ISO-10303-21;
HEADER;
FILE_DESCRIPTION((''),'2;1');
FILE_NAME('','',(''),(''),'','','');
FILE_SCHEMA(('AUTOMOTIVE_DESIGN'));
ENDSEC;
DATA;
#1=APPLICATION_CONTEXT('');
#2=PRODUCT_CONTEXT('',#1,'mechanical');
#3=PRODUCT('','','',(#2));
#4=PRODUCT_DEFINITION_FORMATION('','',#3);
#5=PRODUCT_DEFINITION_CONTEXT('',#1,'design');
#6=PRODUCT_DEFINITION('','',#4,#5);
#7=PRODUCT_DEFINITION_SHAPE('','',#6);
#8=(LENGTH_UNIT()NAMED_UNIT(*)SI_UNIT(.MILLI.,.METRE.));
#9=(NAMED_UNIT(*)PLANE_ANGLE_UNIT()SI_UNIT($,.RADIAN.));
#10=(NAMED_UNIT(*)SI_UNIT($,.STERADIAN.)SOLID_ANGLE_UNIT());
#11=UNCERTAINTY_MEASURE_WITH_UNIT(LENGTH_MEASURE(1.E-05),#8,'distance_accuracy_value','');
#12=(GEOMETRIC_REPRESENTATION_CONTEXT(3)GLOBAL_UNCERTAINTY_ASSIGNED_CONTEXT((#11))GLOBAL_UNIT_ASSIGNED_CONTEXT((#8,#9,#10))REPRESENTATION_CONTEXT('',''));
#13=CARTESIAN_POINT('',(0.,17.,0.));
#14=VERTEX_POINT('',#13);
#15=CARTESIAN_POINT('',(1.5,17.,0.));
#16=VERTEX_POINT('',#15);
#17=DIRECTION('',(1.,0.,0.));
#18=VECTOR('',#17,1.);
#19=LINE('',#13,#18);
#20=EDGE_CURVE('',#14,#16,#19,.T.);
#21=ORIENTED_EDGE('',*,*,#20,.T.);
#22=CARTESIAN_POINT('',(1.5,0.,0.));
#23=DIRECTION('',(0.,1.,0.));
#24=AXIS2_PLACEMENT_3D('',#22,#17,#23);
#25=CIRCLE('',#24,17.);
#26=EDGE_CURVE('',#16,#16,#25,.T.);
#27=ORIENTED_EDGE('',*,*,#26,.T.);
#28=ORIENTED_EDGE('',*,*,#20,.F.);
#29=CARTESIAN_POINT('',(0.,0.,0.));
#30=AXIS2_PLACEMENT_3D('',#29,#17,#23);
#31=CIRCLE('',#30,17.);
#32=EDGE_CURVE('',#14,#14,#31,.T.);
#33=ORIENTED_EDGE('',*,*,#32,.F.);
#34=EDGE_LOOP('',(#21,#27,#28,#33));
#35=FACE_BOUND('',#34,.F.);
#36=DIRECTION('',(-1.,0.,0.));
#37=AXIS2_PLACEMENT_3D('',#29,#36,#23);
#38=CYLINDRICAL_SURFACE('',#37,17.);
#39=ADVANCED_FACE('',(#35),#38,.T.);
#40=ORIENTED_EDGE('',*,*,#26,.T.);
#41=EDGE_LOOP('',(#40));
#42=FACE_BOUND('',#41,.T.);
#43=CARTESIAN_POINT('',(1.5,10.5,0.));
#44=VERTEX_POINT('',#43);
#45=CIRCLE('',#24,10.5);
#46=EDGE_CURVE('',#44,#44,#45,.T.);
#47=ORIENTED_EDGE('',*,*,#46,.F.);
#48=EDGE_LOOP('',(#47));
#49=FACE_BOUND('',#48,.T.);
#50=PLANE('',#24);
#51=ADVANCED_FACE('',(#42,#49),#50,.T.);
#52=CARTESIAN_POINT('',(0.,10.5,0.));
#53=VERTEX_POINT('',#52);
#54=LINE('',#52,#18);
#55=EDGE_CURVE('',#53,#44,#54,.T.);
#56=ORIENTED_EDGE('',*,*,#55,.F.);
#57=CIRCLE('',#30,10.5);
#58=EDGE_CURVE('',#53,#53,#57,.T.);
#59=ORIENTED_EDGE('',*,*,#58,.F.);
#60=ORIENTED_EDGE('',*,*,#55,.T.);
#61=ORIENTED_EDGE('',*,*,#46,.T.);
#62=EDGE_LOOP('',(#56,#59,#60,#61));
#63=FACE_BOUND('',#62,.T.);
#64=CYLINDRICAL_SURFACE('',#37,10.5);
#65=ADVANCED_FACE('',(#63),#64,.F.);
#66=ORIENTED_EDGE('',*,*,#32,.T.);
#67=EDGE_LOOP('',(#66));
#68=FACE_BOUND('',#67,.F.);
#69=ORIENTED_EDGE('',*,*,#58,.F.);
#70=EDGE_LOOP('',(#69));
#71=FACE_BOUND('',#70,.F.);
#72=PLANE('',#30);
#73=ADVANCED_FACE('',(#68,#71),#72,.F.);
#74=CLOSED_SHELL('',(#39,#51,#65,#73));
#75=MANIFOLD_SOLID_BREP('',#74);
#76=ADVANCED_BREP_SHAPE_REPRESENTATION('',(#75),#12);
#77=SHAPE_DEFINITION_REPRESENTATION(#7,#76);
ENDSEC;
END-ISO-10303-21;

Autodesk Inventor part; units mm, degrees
ref_plane "YZ Plane" through (0, 0, 0) normal (1, 0, 0) x (0, 1, 0)
ref_plane "XZ Plane" through (0, 0, 0) normal (0, 1, 0) x (-1, 0, 0)
ref_plane "XY Plane" through (0, 0, 0) normal (0, 0, 1) x (1, 0, 0)
sketch "Эскиз1" plane through (0, 0, 0) normal (1, 0, 0) x (0, 1, 0)
  circle A0 centre (0, 0) radius 17
  circle A1 centre (0, 0) radius 10.5
  dimension "d0" = 34
  dimension "d1" = 21
extrude "Выдавливание1" add sketch "Эскиз1" along normal blind 1.5
